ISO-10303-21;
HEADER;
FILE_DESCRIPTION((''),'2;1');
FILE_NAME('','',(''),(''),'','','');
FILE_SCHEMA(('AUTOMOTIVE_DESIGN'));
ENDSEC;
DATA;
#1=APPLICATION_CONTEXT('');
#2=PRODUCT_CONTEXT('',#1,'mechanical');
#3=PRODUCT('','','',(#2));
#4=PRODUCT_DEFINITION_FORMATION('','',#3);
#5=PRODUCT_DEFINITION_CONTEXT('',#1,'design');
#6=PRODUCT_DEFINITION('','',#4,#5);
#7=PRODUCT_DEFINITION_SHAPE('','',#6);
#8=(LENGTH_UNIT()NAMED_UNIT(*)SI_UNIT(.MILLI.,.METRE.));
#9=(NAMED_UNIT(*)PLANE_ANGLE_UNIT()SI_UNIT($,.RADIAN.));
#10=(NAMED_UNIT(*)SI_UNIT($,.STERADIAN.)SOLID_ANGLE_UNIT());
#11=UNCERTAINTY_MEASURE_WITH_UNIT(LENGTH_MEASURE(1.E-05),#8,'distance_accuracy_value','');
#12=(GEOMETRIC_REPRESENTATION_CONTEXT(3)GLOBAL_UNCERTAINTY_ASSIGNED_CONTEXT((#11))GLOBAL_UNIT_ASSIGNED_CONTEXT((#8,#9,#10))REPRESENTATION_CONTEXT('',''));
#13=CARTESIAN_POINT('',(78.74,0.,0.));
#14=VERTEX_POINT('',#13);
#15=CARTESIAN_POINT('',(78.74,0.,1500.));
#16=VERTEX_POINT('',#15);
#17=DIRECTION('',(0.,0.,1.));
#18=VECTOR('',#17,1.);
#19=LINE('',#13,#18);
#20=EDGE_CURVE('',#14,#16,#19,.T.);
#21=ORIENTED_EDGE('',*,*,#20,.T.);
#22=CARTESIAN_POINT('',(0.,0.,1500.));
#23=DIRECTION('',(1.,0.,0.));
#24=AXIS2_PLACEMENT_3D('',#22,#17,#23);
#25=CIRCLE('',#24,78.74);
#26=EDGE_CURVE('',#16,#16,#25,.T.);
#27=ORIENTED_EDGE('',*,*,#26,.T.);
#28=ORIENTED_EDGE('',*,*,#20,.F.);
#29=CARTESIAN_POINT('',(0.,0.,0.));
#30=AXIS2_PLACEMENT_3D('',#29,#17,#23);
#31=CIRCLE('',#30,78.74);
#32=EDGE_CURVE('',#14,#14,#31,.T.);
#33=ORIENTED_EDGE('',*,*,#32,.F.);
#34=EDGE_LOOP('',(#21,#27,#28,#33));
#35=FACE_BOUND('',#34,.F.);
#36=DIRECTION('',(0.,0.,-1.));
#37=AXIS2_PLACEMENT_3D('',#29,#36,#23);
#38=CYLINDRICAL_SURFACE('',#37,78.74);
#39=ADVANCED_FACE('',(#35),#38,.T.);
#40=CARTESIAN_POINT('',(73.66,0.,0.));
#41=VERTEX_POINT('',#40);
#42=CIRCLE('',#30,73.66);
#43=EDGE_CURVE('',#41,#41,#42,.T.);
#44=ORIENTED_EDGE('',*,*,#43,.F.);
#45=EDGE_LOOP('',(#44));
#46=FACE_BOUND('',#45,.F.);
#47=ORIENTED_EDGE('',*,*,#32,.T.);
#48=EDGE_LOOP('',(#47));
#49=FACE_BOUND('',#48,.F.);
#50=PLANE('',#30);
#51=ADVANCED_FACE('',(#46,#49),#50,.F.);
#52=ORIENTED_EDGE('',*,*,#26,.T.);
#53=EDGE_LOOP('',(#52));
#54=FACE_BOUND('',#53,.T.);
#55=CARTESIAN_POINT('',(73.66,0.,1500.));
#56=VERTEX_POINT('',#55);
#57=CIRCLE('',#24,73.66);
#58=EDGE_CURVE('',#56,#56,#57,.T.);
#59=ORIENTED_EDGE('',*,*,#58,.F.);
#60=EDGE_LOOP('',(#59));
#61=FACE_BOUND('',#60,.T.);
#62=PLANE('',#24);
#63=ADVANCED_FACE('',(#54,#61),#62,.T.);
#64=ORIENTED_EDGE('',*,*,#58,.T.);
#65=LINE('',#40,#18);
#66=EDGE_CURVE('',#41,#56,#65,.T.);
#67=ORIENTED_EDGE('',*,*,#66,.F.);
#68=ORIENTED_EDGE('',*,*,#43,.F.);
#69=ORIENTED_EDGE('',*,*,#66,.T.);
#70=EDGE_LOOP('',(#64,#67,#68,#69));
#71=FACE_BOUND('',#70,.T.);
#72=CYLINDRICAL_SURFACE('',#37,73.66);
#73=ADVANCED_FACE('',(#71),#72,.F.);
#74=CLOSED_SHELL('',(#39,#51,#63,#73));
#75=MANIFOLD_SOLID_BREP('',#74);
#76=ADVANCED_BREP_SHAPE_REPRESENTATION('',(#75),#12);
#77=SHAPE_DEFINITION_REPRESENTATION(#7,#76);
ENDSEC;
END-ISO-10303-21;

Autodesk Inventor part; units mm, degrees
ref_plane "YZ Plane" through (0, 0, 0) normal (1, 0, 0) x (0, 1, 0)
ref_plane "XZ Plane" through (0, 0, 0) normal (0, 1, 0) x (-1, 0, 0)
ref_plane "XY Plane" through (0, 0, 0) normal (0, 0, 1) x (1, 0, 0)
sketch "Sketch1" plane through (0, 0, 0) normal (0, 0, 1) x (1, 0, 0)
  circle A0 centre (0, 0) radius 73.66
  circle A1 centre (0, 0) radius 78.74
  dimension "d0" = 147.32
  dimension "d1" = 5.08
extrude "Extrusion1" add sketch "Sketch1" along normal blind 1500
properties part number "pipe1.5m"
